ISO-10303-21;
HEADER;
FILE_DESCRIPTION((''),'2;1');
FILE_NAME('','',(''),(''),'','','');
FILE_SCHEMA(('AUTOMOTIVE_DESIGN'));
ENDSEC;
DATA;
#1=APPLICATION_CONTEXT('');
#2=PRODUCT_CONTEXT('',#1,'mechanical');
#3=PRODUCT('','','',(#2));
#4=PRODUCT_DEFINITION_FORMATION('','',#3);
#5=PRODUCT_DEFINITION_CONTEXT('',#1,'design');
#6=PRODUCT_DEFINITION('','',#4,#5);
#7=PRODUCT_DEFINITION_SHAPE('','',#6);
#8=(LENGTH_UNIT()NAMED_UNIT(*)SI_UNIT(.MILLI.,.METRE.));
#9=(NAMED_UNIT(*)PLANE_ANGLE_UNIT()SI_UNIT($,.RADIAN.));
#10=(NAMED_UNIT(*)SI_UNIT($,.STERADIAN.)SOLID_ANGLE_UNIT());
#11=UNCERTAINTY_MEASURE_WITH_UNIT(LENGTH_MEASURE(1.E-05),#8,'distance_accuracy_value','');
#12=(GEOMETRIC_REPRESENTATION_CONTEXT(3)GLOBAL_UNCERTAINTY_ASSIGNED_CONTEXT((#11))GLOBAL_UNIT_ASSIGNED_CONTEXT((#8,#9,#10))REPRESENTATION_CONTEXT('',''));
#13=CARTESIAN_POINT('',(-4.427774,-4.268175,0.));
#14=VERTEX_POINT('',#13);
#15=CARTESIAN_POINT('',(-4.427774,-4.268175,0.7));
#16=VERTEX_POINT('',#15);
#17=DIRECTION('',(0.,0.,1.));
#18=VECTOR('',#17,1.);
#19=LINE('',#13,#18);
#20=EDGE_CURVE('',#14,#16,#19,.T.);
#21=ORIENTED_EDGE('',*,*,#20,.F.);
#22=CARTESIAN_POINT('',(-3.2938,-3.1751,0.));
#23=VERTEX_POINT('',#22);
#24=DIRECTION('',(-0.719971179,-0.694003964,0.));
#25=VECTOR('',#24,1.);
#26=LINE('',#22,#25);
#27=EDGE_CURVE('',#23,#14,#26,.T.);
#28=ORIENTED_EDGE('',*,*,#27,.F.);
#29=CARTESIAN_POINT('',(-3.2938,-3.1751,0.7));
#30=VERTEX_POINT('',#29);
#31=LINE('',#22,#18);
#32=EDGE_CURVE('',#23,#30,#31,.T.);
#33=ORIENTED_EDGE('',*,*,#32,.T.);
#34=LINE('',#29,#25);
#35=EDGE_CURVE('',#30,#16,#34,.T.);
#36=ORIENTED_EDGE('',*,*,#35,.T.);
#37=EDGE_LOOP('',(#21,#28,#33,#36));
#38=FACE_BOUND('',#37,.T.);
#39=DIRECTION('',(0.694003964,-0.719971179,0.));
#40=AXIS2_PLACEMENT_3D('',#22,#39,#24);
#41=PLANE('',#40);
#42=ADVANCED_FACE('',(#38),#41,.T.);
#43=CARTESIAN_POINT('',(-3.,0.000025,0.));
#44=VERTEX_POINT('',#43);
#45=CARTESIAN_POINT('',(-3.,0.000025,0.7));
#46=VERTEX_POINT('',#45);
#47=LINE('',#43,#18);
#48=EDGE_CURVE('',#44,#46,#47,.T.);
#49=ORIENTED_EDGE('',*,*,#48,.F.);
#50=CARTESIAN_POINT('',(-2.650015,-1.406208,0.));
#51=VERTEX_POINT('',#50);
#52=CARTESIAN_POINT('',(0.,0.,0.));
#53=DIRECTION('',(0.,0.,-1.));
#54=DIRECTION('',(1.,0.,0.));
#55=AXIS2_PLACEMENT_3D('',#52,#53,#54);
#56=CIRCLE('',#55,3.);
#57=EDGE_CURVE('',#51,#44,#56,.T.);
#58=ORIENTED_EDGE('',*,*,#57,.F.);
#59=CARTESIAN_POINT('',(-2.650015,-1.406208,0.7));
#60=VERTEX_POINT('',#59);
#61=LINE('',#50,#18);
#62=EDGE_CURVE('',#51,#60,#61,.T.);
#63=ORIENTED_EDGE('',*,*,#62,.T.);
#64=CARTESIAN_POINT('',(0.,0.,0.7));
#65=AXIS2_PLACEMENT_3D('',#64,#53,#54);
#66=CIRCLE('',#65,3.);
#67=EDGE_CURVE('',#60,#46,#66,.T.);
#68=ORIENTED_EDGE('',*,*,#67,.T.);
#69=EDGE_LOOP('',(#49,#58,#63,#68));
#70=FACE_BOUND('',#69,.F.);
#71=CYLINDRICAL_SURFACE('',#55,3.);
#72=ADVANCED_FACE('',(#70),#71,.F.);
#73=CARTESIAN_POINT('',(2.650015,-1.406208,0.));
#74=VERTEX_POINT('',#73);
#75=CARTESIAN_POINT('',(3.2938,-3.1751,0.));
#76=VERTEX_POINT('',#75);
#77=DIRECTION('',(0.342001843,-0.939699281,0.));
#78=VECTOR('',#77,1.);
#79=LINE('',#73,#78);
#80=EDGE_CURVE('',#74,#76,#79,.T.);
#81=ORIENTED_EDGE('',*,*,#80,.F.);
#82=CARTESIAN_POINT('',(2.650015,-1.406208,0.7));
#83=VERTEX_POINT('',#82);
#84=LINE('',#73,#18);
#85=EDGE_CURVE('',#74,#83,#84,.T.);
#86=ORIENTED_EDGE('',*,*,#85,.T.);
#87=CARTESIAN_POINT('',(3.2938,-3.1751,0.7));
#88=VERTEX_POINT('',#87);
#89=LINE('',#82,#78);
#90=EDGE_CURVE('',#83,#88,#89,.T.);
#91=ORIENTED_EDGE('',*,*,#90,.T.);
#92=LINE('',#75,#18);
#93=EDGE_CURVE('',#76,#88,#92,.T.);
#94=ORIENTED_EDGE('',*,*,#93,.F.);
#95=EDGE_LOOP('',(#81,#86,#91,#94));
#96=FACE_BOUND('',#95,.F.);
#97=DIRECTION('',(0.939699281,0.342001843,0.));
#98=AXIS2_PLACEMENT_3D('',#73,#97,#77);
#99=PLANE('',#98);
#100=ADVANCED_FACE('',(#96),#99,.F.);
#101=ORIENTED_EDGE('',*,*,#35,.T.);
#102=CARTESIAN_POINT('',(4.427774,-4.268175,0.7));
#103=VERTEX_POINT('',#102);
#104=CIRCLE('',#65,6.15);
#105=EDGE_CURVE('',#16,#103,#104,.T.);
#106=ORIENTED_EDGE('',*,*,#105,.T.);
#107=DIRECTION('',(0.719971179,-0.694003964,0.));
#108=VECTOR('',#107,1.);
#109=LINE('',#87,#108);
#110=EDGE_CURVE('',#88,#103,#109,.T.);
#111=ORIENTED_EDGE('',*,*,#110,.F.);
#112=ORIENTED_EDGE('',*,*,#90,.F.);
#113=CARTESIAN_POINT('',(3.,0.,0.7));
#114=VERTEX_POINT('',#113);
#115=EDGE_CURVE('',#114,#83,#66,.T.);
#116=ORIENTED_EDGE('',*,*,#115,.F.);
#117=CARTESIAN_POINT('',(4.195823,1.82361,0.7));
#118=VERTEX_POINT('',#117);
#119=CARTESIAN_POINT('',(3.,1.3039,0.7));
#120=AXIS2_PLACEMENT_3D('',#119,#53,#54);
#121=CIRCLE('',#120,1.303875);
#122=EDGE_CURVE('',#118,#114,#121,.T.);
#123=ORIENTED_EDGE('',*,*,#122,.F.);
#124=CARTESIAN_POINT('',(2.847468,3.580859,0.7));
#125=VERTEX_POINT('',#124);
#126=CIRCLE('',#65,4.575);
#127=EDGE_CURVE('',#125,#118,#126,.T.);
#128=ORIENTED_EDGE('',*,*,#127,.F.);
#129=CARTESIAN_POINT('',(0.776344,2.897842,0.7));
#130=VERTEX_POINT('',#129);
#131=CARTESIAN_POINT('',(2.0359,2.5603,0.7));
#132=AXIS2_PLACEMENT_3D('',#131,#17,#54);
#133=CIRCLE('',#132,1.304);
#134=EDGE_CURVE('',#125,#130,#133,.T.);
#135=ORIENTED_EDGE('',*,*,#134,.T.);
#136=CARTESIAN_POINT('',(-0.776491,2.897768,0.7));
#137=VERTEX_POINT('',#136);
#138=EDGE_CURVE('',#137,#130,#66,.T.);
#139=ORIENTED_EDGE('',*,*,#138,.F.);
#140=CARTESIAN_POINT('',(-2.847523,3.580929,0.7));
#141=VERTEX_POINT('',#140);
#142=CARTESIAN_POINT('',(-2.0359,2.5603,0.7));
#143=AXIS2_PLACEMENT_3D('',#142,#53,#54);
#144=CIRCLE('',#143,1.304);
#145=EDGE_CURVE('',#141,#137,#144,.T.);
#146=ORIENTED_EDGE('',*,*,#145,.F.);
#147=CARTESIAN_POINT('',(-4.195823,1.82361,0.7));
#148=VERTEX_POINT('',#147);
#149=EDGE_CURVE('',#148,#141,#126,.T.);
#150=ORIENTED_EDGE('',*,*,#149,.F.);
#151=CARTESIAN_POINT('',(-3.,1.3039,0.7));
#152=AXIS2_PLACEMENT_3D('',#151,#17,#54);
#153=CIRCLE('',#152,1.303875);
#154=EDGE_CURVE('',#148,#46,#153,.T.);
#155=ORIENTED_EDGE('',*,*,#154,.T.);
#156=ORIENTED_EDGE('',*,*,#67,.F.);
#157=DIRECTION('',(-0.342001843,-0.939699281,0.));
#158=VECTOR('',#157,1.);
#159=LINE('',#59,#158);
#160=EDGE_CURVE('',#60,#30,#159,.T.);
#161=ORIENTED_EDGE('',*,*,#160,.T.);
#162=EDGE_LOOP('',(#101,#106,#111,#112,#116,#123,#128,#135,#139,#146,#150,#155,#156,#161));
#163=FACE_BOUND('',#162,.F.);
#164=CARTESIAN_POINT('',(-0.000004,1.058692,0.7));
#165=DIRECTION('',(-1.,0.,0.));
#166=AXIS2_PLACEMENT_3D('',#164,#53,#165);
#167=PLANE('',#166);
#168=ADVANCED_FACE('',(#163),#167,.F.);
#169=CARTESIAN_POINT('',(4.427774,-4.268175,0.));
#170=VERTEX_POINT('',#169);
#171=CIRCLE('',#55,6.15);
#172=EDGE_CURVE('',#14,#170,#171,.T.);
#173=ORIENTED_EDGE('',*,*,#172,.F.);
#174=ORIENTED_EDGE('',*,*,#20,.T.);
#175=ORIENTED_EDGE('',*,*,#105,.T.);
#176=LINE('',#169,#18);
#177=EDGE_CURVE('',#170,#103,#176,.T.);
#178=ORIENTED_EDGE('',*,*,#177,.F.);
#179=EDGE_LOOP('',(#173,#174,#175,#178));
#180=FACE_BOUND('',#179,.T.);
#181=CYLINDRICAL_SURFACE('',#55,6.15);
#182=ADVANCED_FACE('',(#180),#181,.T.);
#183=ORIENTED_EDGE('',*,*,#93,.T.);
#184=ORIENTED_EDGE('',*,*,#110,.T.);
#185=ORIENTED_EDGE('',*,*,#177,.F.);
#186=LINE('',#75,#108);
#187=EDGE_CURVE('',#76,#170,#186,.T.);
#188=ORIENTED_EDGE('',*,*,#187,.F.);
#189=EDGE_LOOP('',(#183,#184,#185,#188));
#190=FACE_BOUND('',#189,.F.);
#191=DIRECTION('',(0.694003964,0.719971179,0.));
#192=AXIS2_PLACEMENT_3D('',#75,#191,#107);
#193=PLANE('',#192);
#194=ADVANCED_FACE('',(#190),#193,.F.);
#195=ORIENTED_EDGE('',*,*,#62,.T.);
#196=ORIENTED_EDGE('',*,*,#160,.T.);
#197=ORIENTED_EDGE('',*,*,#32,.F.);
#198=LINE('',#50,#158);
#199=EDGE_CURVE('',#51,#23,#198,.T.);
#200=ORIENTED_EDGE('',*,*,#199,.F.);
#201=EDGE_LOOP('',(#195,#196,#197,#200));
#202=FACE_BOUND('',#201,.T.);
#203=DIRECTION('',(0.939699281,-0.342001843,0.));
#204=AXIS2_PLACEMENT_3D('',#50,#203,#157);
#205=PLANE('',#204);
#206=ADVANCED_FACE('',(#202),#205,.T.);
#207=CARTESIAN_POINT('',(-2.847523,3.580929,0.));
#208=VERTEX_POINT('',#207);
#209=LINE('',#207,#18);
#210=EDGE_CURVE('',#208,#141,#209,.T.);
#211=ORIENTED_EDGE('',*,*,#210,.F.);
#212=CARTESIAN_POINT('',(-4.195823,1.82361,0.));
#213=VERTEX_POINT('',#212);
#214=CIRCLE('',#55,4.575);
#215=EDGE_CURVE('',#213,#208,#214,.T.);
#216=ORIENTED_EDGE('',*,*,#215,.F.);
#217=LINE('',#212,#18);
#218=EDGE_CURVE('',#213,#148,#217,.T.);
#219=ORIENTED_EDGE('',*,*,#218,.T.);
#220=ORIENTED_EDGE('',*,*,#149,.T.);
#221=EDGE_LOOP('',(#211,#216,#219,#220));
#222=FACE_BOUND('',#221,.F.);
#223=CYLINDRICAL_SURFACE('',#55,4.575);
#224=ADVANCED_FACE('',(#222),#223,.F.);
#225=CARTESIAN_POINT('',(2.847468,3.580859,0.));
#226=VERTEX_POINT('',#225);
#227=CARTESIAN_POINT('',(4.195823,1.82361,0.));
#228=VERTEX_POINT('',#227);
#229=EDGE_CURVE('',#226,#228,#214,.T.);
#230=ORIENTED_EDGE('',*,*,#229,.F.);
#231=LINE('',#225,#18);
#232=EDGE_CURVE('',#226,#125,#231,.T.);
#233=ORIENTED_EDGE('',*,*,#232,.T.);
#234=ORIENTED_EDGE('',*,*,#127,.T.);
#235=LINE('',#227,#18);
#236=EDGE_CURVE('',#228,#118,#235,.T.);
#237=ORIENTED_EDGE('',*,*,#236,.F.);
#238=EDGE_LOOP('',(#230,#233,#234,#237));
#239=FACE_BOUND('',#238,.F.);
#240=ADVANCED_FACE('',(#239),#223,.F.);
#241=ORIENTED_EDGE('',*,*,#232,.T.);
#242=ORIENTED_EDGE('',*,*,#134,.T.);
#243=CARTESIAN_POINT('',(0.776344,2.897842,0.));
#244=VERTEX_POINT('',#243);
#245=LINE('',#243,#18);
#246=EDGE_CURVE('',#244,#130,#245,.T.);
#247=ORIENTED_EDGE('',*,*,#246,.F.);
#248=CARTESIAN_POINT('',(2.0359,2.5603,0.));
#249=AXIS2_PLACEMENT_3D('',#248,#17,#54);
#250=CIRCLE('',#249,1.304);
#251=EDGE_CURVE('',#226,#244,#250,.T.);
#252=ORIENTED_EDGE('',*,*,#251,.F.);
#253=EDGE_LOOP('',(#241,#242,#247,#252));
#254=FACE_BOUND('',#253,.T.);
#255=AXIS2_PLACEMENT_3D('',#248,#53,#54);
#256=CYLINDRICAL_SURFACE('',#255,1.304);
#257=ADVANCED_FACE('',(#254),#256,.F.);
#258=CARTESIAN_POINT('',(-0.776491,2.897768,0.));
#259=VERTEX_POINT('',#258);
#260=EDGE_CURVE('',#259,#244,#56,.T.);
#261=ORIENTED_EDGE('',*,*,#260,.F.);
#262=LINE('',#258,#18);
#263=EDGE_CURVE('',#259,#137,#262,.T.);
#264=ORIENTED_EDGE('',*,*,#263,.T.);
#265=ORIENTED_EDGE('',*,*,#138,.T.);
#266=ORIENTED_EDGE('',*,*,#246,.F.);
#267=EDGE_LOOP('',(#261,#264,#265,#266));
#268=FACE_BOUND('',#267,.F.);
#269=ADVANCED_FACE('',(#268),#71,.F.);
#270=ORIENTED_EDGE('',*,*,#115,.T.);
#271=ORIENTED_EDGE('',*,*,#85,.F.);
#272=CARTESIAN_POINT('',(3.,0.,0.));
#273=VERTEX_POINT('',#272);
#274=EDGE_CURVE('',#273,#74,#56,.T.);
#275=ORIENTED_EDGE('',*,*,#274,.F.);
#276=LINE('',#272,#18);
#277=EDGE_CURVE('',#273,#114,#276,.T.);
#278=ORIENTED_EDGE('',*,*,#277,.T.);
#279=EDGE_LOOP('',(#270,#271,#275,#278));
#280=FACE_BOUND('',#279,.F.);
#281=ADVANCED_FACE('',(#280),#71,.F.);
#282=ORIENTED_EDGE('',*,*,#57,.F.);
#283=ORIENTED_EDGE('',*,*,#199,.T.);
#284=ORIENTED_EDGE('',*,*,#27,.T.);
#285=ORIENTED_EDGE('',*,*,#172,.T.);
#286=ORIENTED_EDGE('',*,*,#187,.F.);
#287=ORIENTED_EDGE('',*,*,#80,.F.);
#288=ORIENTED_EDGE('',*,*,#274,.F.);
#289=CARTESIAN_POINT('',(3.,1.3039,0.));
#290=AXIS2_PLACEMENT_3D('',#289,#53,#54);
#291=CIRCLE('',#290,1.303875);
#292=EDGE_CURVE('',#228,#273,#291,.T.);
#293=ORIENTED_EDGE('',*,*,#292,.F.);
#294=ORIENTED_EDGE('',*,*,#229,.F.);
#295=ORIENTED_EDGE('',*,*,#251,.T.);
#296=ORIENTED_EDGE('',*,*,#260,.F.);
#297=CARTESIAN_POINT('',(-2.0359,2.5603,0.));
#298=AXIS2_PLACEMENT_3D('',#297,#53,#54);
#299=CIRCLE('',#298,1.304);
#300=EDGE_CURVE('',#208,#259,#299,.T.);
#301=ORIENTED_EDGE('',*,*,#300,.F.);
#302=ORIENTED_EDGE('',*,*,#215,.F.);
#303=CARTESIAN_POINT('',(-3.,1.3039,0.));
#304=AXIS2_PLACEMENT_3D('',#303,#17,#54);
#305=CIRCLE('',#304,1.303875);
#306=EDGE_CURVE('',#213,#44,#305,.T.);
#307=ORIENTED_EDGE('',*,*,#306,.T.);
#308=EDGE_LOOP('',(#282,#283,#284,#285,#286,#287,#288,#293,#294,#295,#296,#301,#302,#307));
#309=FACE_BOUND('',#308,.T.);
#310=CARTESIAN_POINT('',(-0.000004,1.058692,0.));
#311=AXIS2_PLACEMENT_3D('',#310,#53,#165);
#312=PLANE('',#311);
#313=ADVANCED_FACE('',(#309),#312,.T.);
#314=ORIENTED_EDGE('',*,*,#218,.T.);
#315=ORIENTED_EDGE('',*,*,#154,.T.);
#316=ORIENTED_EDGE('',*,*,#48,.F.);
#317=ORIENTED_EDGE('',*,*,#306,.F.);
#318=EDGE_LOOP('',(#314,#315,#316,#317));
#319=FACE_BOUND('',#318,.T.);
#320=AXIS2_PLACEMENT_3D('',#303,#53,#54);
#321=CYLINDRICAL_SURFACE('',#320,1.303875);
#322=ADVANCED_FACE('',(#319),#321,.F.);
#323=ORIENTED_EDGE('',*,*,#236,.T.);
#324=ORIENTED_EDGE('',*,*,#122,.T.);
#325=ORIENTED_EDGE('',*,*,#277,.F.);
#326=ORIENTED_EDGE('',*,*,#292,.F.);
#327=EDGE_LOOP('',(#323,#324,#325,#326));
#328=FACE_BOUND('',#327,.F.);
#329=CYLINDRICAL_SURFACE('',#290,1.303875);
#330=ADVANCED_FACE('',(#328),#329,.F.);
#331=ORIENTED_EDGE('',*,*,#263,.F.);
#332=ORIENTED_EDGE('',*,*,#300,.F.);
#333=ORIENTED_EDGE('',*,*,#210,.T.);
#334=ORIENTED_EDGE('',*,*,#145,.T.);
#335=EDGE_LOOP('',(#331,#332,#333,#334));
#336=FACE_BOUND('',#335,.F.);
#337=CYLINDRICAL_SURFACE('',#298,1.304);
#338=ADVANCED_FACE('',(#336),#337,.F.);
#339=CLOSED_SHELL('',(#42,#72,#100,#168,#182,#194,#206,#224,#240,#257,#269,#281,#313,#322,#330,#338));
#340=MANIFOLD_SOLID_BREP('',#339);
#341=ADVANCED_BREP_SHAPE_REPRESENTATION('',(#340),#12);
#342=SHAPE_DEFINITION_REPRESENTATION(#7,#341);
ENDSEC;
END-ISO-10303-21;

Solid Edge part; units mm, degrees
sketch "Sketch1" plane through (0, 0, 0) normal (0, 0, 1) x (1, 0, 0)
  arc A0 (-4.1958, 1.8236) -> (-3, 0) centre (-3, 1.3039) ccw
  arc A1 (-2.65, -1.4062) -> (-3, 0) centre (0, 0) cw
  line L0 (-2.65, -1.4062) -> (-3.2938, -3.1751)
  line L1 (-3.2938, -3.1751) -> (-4.4278, -4.2682)
  arc A2 (-4.4278, -4.2682) -> (4.4278, -4.2682) centre (0, 0) cw
  line L2 (3.2938, -3.1751) -> (4.4278, -4.2682)
  line L3 (2.65, -1.4062) -> (3.2938, -3.1751)
  arc A3 (3, 0) -> (2.65, -1.4062) centre (0, 0) cw
  arc A4 (4.1958, 1.8236) -> (3, 0) centre (3, 1.3039) cw
  arc A5 (2.8475, 3.5809) -> (4.1958, 1.8236) centre (0, 0) cw
  arc A6 (2.8475, 3.5809) -> (0.7765, 2.8978) centre (2.0359, 2.5603) ccw
  arc A7 (-0.7765, 2.8978) -> (0.7765, 2.8978) centre (0, 0) cw
  arc A8 (-2.8475, 3.5809) -> (-0.7765, 2.8978) centre (-2.0359, 2.5603) cw
  arc A9 (-4.1958, 1.8236) -> (-2.8475, 3.5809) centre (0, 0) cw
  dimension "D1" = 6.15
  dimension "D2" = 3
  dimension "D3" = 4.575
  dimension "D4" = 2.65
extrude "Protrusion1" add sketch "Sketch1" along normal blind 0.7
properties material "Acier"
